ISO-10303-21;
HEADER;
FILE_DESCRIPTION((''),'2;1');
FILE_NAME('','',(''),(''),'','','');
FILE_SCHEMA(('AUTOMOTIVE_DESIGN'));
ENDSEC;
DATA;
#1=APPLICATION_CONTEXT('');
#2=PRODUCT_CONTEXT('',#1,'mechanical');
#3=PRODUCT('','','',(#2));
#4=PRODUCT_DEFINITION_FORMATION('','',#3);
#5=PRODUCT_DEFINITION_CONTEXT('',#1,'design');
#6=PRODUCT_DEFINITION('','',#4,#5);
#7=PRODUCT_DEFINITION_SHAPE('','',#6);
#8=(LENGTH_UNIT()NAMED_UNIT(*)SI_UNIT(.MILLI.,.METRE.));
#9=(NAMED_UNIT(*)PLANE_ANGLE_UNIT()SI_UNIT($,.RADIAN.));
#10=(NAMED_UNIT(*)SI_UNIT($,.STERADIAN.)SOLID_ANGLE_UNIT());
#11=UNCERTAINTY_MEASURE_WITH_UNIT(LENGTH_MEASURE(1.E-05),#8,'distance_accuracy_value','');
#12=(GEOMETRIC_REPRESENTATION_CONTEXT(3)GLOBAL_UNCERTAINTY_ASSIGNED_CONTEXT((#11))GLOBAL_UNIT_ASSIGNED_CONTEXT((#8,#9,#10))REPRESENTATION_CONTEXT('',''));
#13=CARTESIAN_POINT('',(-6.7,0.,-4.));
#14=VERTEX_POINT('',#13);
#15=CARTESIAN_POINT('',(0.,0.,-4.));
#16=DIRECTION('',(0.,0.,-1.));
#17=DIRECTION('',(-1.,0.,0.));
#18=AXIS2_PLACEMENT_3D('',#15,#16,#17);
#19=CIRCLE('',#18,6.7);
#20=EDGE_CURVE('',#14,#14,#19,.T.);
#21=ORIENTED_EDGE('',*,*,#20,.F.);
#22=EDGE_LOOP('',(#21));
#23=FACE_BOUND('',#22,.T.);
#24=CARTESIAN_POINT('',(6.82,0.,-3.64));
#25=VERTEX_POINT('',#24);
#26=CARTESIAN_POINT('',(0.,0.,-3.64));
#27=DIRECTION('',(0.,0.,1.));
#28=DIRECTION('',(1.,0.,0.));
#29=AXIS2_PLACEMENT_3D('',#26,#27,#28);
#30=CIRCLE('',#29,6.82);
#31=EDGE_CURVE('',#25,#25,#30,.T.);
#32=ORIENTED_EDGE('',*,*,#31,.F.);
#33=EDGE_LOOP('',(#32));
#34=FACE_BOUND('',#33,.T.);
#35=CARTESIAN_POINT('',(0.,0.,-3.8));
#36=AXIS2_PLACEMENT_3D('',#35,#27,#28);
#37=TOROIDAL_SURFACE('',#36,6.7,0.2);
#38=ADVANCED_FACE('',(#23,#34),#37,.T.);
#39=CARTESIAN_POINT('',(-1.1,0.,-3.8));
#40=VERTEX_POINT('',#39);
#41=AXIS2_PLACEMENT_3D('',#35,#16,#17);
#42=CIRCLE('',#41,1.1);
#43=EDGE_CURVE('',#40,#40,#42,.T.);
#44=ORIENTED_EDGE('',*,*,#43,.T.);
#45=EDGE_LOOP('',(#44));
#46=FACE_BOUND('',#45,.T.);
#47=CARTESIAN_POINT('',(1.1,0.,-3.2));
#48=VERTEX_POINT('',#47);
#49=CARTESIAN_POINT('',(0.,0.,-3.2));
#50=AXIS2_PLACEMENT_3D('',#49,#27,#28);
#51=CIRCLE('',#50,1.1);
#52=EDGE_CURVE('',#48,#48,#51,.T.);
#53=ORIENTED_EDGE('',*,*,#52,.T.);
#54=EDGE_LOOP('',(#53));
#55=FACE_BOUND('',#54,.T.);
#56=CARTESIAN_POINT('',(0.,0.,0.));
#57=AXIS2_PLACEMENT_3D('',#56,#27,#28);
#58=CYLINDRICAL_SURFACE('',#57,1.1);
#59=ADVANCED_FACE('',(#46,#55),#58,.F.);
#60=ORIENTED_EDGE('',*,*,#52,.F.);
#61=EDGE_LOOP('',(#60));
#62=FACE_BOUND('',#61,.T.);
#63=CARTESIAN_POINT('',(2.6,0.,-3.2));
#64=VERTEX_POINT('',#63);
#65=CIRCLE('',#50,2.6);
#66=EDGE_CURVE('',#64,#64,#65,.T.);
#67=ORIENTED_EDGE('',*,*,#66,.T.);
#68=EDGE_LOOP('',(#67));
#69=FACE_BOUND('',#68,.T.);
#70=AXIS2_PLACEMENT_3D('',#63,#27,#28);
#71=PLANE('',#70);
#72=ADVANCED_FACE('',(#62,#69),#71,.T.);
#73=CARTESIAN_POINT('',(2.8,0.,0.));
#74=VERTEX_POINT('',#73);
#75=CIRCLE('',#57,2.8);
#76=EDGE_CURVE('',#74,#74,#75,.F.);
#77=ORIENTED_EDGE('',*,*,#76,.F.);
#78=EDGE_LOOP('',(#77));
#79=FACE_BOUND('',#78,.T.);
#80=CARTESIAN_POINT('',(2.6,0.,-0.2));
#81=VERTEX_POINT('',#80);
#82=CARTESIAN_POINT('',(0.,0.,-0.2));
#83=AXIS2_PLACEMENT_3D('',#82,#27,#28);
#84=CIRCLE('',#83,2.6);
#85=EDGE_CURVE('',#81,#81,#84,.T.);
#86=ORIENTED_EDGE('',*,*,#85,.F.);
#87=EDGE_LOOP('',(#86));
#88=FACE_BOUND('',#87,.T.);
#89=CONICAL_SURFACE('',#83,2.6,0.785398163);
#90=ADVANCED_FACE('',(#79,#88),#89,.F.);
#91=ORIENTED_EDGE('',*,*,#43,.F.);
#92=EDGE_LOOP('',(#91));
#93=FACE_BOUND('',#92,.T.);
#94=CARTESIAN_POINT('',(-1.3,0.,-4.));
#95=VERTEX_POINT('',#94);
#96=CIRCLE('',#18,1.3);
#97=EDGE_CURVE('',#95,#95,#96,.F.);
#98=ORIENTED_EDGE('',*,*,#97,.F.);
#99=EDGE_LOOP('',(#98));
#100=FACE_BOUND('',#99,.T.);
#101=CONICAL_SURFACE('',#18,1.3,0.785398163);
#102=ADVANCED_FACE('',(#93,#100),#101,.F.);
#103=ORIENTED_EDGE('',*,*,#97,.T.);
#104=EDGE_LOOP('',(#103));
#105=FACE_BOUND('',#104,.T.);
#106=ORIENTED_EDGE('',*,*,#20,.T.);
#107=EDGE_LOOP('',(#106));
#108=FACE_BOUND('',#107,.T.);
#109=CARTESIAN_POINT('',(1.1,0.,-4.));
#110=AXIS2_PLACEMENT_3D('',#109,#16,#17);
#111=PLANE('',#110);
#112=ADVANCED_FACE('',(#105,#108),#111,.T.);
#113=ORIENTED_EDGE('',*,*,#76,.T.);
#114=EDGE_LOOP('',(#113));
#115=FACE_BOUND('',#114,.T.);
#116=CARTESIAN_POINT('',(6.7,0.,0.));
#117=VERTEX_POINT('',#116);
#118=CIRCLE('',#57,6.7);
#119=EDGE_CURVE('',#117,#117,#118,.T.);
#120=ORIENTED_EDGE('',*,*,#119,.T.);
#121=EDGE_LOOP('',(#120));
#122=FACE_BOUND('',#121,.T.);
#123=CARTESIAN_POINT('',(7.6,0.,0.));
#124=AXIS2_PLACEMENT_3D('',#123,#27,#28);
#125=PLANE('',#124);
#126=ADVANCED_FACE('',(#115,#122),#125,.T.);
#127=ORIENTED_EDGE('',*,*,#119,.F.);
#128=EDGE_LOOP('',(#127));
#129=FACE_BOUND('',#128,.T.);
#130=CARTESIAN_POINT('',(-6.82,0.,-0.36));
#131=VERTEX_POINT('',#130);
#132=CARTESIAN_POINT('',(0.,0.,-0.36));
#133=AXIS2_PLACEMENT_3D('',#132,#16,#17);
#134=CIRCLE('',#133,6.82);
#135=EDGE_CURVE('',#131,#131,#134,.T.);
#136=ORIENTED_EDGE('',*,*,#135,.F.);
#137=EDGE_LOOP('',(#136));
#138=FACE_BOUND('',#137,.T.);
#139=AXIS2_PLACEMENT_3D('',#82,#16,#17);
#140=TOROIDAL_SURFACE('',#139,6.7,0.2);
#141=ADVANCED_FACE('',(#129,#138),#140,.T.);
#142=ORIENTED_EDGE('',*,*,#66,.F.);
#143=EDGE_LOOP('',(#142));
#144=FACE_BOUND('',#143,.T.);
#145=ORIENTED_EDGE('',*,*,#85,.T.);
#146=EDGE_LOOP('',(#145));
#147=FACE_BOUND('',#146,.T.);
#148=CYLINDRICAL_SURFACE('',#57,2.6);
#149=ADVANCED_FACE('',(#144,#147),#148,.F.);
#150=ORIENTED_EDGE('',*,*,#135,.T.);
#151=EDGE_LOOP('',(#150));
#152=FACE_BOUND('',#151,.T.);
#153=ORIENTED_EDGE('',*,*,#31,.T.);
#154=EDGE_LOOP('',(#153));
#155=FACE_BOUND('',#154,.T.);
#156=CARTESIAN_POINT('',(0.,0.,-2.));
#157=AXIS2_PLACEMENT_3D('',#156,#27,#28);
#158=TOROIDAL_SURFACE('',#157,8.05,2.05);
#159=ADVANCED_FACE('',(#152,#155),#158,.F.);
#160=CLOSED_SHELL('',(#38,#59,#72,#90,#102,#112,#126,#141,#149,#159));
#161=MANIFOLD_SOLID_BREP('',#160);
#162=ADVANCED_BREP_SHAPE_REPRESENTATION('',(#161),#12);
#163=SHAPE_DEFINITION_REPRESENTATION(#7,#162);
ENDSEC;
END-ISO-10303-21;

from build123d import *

# Parameters (mm, degrees)
FILLET1_R     = 0.2
CHAMFER2_SIZE = 0.2


with BuildPart() as part:
    # Sketch2 → Revolve1 (revolve)
    with BuildSketch(Plane(origin=(0, 0, 0), x_dir=(1, 0, 0), z_dir=(0, 1, 0))):
        with BuildLine():
            Line((1.1, 4), (7.6, 4))
            ThreePointArc((7.6, 4), (6, 2), (7.6, 0))
            Line((7.6, 0), (2.6, 0))
            Line((2.6, 0), (2.6, 3.2))
            Line((2.6, 3.2), (1.1, 3.2))
            Line((1.1, 3.2), (1.1, 4))
        make_face()
    revolve(axis=Axis((0, 0, 0), (0, 0, -1)))

    # Fillet1
    fillet1_edges = [part.edges().sort_by_distance(p)[0] for p in [
        (-7.6, 0, 0),
        (-7.6, 0, -4),
    ]]
    fillet(fillet1_edges, radius=FILLET1_R)

    # Chamfer2
    chamfer2_edges = [part.edges().sort_by_distance(p)[0] for p in [
        (-2.6, 0, 0),
        (-1.1, 0, -4),
    ]]
    chamfer(chamfer2_edges, length=CHAMFER2_SIZE)


solid = part.part
